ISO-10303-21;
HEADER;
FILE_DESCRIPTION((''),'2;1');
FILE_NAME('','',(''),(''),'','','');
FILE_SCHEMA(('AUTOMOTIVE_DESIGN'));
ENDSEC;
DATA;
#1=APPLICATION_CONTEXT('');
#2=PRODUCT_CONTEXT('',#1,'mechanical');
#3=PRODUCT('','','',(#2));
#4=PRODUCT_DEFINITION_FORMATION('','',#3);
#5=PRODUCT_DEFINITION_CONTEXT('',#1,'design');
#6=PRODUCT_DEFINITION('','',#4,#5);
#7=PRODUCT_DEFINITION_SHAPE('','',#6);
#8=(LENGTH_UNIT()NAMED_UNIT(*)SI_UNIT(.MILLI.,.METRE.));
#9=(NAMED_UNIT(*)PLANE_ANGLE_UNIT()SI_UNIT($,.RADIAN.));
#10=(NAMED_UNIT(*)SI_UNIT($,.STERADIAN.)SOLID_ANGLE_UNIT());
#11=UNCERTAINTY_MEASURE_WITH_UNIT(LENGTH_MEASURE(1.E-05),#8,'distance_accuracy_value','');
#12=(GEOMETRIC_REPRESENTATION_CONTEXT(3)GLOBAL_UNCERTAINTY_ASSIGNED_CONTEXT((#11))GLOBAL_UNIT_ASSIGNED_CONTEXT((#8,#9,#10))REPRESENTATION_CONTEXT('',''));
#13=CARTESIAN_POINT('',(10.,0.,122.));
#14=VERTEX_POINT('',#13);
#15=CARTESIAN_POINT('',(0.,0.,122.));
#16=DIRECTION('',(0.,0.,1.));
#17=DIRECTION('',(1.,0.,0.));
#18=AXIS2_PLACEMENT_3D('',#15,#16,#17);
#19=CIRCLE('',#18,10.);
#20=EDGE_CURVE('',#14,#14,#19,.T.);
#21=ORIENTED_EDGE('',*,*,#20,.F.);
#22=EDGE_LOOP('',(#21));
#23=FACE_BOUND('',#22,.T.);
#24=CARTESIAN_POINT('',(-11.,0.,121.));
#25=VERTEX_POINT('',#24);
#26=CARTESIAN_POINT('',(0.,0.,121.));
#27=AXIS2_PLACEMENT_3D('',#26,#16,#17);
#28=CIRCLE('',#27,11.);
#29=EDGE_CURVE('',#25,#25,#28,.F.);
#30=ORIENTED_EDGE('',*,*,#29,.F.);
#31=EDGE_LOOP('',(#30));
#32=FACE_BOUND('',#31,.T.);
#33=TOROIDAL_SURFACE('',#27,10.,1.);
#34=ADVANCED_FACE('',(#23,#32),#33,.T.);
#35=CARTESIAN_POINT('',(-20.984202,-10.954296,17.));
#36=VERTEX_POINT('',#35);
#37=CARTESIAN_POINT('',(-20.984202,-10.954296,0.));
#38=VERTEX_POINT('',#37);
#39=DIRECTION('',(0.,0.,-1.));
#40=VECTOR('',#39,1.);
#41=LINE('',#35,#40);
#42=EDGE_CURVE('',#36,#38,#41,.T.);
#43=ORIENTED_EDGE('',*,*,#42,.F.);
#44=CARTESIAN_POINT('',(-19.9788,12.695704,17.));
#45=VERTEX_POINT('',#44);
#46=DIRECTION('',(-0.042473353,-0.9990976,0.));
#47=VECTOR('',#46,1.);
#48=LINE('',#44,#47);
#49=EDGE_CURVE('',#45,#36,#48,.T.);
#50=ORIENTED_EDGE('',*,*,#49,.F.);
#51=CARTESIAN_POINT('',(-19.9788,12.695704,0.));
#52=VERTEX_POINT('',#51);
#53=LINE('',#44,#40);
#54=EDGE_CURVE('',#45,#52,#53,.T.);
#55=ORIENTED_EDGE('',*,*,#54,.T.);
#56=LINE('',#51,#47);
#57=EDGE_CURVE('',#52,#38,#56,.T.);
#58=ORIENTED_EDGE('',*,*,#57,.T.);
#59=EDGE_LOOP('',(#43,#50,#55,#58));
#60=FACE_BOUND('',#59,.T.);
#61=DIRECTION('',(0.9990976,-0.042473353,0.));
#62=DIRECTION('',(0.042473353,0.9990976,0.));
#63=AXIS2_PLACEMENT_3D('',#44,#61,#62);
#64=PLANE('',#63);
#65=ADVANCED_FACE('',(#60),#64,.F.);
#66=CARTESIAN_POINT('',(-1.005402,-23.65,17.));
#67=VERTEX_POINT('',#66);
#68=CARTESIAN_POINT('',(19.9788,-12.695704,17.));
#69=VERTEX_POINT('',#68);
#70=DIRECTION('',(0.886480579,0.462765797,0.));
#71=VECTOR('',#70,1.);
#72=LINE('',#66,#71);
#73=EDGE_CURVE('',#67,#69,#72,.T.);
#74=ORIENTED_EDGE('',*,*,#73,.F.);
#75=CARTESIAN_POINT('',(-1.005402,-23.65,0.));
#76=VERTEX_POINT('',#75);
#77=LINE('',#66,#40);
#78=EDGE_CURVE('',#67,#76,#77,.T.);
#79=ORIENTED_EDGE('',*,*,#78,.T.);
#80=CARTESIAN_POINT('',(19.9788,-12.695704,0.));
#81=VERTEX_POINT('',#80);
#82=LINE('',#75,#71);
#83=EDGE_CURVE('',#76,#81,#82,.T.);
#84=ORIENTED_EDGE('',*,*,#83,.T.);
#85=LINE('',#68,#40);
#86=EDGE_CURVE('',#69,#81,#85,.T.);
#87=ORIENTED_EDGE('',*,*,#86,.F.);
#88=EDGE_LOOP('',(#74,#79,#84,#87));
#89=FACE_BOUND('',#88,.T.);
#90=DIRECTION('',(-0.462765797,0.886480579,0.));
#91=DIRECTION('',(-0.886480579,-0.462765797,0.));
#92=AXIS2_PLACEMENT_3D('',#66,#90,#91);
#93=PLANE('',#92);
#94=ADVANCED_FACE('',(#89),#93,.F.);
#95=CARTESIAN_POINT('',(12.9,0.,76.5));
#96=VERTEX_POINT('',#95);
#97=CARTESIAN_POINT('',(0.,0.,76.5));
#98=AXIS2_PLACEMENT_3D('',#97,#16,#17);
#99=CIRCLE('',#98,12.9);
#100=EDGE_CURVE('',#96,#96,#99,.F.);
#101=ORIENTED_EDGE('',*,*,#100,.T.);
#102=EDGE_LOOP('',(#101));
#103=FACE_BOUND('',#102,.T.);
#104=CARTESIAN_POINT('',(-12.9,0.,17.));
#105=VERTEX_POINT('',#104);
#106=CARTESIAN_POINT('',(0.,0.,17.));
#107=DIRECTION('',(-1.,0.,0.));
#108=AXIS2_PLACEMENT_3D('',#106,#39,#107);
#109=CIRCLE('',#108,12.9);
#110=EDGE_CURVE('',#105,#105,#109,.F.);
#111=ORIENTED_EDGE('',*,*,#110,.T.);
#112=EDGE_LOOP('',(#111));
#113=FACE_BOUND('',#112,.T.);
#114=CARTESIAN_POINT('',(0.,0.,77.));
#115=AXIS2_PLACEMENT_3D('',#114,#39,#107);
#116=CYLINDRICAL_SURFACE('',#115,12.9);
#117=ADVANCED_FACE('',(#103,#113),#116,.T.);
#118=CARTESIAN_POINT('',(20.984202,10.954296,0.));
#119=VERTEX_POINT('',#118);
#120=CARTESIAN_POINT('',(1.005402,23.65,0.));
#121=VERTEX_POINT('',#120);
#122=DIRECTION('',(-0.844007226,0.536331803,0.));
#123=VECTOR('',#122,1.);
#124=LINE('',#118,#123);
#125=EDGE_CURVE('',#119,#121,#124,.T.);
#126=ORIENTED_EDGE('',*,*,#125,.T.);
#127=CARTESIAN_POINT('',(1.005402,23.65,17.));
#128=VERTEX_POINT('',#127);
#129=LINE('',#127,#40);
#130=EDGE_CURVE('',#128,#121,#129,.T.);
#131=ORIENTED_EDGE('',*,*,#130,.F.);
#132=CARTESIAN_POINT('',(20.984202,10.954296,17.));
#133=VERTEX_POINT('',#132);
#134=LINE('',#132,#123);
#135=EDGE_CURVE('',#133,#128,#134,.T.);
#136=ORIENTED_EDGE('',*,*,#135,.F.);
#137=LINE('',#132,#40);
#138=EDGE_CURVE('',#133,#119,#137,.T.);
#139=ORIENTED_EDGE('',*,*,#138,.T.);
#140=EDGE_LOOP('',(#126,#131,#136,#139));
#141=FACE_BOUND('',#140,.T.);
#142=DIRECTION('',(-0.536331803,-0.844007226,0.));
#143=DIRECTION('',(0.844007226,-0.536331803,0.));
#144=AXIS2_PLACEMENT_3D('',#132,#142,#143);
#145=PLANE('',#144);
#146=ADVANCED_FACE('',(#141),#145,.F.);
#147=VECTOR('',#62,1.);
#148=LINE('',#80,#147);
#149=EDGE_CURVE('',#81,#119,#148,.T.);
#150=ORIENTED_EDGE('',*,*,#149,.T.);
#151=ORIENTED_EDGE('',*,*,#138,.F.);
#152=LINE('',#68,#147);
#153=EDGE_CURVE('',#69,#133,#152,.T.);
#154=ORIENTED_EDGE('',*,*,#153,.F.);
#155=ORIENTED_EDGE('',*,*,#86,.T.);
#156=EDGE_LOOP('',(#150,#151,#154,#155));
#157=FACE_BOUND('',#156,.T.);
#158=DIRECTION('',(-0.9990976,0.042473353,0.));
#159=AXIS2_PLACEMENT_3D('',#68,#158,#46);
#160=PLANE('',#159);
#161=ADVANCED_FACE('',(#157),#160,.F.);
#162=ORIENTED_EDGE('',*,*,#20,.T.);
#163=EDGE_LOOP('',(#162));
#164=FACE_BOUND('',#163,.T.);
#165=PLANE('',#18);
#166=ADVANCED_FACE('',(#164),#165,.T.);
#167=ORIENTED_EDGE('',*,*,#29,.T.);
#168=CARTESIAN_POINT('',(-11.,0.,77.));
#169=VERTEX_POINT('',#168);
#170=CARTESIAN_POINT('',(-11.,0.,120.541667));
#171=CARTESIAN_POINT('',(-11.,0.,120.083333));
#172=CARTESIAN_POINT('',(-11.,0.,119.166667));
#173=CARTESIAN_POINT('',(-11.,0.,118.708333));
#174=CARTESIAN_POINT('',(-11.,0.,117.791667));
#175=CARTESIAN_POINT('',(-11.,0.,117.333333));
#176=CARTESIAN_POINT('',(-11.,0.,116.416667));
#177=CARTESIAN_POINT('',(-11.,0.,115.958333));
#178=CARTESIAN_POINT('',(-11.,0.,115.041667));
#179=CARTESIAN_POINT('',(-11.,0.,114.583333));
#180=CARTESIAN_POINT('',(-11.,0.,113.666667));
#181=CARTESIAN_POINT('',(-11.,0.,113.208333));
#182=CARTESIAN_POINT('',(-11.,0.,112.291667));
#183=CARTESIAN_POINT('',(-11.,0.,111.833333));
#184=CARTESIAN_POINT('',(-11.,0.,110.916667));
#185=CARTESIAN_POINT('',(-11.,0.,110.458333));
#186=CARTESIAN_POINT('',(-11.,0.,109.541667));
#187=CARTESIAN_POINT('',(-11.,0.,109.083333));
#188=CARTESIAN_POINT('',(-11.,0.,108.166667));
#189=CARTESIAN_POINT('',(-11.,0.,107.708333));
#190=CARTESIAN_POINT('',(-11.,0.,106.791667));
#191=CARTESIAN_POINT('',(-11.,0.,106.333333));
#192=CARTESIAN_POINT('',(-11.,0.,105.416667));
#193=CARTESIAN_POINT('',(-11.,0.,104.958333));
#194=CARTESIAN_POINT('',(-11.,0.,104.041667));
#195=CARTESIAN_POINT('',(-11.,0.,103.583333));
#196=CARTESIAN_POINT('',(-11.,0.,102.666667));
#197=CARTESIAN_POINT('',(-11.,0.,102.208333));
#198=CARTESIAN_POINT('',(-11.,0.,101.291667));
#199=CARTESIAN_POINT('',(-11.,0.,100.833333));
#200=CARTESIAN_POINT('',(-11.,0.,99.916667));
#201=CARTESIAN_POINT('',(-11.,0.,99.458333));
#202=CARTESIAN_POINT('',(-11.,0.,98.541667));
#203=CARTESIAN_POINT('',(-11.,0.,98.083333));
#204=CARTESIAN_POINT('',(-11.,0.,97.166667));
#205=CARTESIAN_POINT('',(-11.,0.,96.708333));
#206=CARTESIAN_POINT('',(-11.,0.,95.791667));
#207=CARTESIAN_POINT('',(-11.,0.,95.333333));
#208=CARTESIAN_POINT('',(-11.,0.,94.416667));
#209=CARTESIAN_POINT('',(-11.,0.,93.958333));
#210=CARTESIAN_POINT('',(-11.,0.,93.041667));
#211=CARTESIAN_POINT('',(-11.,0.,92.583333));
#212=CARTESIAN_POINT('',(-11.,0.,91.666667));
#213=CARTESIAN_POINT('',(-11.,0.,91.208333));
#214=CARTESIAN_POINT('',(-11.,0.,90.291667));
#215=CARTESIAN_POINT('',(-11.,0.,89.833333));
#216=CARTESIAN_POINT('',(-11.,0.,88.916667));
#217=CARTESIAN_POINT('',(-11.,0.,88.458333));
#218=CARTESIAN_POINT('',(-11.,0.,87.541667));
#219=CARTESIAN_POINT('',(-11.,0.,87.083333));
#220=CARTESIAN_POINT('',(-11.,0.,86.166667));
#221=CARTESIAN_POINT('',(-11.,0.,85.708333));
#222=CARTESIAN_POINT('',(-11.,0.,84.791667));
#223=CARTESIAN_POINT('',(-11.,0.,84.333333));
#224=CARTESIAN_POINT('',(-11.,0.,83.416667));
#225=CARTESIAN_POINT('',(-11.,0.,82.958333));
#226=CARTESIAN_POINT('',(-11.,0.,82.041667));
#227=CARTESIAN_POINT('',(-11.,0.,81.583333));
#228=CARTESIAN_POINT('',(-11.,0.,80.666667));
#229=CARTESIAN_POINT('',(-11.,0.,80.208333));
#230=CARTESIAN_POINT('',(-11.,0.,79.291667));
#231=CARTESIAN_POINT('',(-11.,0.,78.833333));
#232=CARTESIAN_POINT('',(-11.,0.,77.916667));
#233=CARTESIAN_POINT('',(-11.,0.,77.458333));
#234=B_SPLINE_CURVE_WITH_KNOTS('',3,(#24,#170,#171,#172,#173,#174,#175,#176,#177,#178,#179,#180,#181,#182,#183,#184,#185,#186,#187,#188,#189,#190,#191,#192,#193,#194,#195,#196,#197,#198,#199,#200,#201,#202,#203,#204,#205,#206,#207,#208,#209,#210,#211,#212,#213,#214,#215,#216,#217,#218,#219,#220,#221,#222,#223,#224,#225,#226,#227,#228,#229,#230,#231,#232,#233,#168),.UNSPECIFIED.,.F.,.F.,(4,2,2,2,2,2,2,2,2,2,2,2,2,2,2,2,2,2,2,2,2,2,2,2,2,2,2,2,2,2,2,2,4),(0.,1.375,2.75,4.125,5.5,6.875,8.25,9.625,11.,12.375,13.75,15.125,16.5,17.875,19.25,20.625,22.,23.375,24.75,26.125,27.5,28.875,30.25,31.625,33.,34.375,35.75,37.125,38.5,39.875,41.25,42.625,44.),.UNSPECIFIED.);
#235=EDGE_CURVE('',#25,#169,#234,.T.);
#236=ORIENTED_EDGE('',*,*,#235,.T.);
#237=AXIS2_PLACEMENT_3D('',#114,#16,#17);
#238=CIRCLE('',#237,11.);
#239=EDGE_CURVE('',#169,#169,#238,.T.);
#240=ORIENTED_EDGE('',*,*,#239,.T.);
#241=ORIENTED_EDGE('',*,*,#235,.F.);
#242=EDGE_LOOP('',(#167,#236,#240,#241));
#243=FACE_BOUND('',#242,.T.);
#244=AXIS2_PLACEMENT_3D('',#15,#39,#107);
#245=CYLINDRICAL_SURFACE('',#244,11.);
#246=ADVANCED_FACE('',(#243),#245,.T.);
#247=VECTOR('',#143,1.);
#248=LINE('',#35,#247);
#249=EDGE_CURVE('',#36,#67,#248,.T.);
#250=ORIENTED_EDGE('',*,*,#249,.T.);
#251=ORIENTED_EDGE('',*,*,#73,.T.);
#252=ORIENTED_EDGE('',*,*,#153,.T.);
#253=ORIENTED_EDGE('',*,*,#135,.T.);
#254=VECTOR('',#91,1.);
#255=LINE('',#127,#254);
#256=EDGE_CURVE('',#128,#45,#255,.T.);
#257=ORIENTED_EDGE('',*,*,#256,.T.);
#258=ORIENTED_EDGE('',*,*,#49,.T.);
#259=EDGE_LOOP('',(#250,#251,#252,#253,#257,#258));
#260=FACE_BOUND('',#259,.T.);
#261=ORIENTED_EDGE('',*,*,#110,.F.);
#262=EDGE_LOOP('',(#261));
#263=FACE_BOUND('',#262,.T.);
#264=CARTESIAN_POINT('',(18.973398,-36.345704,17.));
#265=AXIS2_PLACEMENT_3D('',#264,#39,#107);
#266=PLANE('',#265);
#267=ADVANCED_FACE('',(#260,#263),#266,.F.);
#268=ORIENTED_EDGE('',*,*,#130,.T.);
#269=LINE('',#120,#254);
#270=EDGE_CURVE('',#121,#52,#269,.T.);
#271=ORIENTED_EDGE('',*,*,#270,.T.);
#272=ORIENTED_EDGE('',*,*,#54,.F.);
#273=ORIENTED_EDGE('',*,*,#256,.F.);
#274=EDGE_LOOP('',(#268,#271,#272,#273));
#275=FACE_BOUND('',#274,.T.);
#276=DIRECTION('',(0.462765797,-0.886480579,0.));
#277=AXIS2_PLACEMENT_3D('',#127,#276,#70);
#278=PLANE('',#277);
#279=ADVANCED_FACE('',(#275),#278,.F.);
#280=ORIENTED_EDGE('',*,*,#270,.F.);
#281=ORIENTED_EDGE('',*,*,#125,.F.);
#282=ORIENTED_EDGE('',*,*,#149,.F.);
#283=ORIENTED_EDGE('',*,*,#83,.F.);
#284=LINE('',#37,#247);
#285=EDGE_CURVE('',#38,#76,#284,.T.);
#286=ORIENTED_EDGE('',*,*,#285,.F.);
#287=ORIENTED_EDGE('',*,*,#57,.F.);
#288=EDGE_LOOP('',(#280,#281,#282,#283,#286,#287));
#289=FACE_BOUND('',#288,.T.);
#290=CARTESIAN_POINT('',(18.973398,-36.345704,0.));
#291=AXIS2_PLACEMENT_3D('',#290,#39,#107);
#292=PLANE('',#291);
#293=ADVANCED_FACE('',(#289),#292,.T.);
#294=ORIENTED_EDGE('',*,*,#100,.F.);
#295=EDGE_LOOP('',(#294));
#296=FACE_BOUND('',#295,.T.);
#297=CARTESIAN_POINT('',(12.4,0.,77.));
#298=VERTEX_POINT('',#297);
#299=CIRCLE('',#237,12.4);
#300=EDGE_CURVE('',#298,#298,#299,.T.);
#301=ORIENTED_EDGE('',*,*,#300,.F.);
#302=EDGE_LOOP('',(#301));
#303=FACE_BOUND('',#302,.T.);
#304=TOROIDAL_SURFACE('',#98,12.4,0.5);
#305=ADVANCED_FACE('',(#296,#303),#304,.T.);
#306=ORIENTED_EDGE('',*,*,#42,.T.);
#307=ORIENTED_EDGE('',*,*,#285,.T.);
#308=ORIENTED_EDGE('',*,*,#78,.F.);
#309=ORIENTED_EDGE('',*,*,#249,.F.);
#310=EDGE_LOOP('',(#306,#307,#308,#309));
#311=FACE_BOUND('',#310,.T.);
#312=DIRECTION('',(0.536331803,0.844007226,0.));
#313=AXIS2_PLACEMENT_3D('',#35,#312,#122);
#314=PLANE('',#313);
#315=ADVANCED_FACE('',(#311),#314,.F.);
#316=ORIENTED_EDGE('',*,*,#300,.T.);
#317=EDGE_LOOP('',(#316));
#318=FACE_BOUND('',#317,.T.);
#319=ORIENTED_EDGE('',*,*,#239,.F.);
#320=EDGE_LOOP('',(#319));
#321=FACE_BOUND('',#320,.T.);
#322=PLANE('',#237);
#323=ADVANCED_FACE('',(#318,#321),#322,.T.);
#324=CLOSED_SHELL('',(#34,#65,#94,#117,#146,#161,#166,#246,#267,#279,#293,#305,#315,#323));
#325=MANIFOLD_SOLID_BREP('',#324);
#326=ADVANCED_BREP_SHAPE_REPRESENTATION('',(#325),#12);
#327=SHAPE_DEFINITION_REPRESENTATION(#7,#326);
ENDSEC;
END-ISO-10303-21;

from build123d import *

# Parameters (mm, degrees)
EXTRUDE_307_DEPTH = 17
SKETCH_2_R        = 12.9
EXTRUDE_1_DEPTH   = 60
SKETCH_3_R        = 11
EXTRUDE_2_DEPTH   = 45
FILLET_2_R        = 1
FILLET_4_R        = 0.5


with BuildPart() as part:
    # 草图1 → Extrude 307 (new body)
    with BuildSketch(Plane.XY):
        Polygon((20.984201837, 10.954296262), (1.005402075, 23.65), (-19.978799762, 12.695703738), (-20.984201837, -10.954296262), (-1.005402075, -23.65), (19.978799762, -12.695703738), align=None)
    extrude(amount=EXTRUDE_307_DEPTH)

    # 草图2 → 凸台-拉伸1 (add)
    with BuildSketch(Plane.XY.offset(17)):
        with Locations(Location((0, 0, 0), (0, 0, 180))):
            Circle(SKETCH_2_R)
    extrude(amount=EXTRUDE_1_DEPTH)

    # 草图3 → 凸台-拉伸2 (add)
    with BuildSketch(Plane.XY.offset(77)):
        with Locations(Location((0, 0, 0), (0, 0, 180))):
            Circle(SKETCH_3_R)
    extrude(amount=EXTRUDE_2_DEPTH)

    # 圆角2
    fillet_2_edges = [part.edges().sort_by_distance(p)[0] for p in [
        (11, 0, 122),
    ]]
    fillet(fillet_2_edges, radius=FILLET_2_R)

    # 圆角4
    fillet_4_edges = [part.edges().sort_by_distance(p)[0] for p in [
        (12.9, 0, 77),
    ]]
    fillet(fillet_4_edges, radius=FILLET_4_R)


solid = part.part
